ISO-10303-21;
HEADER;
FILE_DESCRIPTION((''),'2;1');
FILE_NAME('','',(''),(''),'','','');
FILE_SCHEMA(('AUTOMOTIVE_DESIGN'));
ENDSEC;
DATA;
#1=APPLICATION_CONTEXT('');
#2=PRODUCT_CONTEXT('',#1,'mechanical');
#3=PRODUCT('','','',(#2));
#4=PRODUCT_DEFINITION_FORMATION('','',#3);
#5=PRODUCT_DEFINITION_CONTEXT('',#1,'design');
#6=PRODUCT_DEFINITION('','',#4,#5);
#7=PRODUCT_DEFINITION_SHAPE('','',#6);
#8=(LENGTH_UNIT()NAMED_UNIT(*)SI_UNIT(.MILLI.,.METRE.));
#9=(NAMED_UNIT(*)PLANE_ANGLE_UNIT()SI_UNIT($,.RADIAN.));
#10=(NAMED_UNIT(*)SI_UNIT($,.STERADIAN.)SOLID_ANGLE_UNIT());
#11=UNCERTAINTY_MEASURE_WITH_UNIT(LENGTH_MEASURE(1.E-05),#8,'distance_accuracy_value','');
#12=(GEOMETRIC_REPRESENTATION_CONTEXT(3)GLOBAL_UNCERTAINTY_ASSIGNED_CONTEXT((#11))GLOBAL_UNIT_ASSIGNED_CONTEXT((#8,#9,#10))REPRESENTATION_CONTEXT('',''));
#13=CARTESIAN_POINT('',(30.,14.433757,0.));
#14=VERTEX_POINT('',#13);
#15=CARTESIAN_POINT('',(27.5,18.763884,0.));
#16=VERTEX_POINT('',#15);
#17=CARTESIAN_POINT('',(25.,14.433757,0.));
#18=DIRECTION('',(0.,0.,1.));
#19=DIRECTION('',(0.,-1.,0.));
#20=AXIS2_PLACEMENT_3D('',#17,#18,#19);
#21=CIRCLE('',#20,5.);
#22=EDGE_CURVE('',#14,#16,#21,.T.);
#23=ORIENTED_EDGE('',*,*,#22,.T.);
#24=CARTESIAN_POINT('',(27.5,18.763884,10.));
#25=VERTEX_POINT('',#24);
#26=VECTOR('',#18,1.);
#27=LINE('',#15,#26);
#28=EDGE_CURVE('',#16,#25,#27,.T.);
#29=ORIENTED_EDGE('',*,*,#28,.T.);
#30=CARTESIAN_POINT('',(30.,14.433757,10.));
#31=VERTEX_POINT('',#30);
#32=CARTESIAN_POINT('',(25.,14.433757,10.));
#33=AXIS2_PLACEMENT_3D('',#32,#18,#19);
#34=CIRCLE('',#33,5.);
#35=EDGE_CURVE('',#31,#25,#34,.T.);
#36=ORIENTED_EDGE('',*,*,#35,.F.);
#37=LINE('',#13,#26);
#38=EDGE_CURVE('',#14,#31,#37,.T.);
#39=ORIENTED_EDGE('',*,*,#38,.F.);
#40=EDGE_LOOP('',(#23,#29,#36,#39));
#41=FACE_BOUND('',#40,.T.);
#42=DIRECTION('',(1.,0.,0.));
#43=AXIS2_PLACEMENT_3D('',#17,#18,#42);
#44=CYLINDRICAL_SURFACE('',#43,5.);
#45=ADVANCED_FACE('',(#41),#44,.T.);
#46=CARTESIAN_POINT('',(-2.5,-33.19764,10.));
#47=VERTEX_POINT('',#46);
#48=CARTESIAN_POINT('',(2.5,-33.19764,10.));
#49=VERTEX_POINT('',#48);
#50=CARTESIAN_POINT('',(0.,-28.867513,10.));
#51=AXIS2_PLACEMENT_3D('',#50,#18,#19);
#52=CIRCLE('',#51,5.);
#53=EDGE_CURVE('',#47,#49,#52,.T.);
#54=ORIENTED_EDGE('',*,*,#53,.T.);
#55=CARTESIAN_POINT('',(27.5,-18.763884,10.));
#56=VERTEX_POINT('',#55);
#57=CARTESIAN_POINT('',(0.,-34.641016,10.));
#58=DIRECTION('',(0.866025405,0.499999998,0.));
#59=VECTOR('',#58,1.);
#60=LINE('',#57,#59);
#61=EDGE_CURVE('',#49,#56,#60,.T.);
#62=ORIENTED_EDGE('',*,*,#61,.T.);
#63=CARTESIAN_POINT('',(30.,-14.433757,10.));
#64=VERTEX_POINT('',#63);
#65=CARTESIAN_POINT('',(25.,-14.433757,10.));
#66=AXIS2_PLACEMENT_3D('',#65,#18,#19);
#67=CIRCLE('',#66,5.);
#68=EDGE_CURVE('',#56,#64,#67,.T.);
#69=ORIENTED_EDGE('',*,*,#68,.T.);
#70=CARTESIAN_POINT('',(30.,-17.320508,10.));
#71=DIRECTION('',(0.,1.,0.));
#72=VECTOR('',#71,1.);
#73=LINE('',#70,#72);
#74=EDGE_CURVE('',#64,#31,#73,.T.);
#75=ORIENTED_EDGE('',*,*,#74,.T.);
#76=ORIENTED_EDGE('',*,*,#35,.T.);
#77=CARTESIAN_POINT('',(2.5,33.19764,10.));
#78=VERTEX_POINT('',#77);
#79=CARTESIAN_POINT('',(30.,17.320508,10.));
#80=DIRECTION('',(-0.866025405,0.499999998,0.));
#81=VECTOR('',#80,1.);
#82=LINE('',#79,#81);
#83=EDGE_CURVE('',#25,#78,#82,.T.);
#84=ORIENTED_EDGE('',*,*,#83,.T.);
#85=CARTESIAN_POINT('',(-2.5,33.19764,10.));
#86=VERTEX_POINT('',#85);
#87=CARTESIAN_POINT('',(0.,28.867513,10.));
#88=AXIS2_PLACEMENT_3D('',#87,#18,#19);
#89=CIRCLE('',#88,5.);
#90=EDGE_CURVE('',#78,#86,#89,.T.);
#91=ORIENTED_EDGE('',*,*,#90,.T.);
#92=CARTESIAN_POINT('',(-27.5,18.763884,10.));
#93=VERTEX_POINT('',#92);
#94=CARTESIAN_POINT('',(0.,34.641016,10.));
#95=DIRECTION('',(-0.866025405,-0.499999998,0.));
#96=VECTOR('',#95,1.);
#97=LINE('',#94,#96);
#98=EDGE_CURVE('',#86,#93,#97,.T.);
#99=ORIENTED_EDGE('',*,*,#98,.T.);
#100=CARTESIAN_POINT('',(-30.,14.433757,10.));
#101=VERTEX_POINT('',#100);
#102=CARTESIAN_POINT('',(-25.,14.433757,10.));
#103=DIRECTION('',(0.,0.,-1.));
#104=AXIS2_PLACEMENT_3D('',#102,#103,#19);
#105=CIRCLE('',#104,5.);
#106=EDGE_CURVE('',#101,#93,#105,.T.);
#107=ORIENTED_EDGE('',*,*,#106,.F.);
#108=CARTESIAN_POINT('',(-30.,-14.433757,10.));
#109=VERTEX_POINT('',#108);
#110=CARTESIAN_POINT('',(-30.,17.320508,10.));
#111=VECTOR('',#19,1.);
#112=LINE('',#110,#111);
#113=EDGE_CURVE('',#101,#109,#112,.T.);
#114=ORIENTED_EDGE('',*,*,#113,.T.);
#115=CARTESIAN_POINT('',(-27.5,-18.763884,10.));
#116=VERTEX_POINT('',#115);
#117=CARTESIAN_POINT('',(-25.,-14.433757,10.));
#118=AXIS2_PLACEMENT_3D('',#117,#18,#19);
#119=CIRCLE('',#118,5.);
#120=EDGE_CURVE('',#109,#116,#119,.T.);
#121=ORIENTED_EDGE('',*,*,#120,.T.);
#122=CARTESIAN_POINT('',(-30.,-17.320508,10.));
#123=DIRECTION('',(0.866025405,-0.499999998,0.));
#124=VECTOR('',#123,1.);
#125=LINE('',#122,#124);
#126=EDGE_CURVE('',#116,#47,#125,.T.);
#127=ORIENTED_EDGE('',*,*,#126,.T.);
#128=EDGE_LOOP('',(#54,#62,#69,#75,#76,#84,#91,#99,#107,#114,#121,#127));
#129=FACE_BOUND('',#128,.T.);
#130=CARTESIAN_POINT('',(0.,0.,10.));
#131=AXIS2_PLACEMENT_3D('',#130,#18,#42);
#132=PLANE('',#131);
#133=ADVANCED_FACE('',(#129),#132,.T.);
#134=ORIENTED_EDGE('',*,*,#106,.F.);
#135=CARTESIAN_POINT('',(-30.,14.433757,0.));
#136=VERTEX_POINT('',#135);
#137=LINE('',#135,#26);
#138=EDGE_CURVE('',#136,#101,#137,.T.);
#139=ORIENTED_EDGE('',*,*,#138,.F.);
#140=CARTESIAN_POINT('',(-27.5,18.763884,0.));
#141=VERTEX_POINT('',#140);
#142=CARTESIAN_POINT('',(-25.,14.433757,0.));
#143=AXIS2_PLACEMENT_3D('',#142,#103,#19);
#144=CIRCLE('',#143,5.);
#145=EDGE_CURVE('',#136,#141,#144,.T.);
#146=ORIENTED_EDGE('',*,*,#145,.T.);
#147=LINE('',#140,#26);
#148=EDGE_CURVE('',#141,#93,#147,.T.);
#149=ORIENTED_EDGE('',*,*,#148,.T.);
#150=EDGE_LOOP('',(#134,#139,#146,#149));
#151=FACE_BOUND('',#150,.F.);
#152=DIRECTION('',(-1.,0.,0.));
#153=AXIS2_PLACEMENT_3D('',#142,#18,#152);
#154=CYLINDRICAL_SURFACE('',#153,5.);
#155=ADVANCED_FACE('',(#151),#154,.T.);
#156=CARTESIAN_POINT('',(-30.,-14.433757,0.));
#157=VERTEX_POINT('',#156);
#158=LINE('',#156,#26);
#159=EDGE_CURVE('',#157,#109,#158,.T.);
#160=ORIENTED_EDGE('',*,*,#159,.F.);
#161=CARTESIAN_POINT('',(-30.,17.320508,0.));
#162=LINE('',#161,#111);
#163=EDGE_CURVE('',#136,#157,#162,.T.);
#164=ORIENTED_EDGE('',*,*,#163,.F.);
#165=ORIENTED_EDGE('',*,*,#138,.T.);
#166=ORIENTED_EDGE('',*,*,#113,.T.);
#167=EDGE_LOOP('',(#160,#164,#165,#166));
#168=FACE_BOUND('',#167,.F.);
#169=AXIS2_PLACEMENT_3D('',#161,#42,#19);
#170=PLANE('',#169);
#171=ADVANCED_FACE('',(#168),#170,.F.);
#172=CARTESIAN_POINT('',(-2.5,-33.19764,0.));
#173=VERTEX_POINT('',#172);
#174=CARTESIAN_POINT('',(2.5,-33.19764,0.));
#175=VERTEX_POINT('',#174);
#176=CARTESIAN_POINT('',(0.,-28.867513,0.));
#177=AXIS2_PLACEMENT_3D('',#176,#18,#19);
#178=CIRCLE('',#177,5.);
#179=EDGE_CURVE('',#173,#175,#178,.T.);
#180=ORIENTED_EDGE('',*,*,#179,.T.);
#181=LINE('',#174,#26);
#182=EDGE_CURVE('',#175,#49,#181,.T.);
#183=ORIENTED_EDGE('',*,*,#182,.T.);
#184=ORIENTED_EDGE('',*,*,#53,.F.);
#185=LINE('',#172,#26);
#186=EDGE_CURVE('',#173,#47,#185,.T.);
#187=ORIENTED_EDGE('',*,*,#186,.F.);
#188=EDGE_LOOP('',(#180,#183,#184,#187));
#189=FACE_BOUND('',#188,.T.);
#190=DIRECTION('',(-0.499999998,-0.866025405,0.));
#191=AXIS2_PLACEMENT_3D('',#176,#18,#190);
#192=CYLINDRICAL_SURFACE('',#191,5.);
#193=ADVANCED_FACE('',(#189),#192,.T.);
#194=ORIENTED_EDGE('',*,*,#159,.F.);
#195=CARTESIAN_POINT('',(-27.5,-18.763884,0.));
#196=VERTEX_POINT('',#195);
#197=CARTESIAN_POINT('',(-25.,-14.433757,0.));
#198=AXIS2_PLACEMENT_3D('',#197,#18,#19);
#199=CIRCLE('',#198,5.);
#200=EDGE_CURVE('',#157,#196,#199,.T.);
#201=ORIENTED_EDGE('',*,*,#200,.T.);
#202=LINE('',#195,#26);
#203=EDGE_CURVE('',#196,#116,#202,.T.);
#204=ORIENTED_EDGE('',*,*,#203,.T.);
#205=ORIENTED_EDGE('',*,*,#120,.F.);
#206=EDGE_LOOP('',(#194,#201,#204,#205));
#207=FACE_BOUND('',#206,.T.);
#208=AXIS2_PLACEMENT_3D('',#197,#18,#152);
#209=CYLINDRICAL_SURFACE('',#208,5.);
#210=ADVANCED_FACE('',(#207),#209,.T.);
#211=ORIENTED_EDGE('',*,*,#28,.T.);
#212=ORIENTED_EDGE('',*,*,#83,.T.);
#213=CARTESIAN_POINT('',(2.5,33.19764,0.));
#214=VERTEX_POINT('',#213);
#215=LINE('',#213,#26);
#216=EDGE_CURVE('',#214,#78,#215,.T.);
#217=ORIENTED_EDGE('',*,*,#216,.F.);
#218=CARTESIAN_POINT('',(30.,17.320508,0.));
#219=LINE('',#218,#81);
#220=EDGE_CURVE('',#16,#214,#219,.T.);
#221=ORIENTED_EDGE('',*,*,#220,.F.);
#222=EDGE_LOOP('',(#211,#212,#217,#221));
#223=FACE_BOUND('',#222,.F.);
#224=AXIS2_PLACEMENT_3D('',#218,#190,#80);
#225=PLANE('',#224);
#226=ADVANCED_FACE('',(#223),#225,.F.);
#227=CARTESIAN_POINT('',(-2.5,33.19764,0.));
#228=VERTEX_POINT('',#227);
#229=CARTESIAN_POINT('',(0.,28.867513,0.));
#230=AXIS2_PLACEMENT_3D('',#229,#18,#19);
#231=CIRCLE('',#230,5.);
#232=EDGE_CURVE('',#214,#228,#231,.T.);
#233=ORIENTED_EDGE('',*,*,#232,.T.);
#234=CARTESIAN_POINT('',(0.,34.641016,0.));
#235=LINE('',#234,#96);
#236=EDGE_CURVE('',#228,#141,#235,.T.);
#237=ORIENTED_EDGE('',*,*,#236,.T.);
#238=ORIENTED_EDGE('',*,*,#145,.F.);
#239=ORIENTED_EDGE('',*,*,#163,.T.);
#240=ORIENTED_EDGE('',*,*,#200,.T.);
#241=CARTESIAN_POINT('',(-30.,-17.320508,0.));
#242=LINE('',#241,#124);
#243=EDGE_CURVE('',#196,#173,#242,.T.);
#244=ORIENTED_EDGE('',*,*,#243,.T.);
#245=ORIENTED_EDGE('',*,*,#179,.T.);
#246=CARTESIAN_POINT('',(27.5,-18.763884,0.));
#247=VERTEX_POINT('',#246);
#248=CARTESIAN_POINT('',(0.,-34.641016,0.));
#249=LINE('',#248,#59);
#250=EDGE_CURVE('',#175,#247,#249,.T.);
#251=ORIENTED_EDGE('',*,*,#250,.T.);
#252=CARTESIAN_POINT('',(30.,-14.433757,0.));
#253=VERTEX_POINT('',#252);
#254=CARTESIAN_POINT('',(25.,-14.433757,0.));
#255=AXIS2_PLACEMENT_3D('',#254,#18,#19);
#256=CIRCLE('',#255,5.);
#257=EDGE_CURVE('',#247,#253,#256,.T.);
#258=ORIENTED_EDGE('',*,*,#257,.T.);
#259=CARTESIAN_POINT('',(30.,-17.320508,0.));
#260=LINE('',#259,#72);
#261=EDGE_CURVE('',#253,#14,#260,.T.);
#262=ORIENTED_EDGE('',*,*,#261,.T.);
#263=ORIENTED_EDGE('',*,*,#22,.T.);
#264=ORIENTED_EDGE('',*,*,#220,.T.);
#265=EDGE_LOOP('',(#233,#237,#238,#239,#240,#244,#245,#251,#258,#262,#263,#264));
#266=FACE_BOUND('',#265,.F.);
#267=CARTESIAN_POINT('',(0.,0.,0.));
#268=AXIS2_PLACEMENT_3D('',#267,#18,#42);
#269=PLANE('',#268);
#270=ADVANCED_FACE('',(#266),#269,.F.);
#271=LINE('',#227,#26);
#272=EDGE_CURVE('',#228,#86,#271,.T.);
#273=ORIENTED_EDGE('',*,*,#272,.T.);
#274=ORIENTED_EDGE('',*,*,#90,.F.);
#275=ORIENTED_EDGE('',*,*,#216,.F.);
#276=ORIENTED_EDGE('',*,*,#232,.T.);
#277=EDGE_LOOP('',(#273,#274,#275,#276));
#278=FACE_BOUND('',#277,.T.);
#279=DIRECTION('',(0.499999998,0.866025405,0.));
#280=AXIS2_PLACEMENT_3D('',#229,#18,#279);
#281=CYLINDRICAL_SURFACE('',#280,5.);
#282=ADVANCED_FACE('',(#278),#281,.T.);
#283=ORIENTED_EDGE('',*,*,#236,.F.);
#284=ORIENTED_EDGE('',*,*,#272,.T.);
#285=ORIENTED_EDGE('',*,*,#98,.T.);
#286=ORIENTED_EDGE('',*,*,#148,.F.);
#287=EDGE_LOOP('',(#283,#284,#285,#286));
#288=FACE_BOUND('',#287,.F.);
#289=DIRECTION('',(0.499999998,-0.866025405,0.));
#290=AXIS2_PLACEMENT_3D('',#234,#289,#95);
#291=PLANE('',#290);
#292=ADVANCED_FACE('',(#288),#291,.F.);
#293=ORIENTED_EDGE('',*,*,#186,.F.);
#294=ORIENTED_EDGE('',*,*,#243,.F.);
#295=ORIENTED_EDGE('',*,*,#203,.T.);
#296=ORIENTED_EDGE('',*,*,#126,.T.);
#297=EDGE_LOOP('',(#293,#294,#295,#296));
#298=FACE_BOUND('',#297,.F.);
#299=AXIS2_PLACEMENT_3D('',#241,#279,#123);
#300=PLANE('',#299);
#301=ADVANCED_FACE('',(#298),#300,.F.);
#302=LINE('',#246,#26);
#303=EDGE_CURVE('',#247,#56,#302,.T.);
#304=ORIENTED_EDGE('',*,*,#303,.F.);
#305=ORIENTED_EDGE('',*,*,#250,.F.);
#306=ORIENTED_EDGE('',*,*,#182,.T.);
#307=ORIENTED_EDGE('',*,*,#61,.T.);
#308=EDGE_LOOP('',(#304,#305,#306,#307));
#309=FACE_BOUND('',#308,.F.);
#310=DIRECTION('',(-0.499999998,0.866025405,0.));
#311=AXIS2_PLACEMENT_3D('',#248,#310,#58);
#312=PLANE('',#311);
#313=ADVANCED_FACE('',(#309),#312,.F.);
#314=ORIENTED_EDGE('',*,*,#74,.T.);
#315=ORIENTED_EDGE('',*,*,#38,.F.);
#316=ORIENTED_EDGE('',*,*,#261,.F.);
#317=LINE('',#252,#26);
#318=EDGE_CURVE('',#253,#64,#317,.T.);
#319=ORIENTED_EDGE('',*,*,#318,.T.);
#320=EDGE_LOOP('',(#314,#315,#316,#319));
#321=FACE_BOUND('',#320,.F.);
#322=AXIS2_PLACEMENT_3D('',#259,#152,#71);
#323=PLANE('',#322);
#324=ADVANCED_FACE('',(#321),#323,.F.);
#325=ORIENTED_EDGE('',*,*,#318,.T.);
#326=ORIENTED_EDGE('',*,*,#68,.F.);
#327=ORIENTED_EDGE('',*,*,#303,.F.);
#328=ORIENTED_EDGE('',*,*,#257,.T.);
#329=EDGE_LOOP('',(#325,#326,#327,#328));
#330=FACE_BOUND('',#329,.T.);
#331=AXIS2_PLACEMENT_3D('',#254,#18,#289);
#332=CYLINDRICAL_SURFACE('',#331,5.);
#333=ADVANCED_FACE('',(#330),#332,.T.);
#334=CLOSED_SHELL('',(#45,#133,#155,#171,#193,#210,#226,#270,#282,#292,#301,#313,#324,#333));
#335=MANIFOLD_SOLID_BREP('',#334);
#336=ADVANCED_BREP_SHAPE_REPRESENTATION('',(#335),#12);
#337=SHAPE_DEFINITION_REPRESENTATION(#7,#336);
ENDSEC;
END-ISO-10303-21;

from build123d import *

# Parameters (mm, degrees)
PAD_DEPTH = 10
FILLET_R  = 5


with BuildPart() as part:
    # Sketch → Pad (new body)
    with BuildSketch(Plane.XY):
        Polygon((-30, 17.320508), (-30, -17.320508), (0, -34.641016), (30, -17.320508), (30, 17.320508), (0, 34.641016), align=None)
    extrude(amount=PAD_DEPTH)

    # Fillet
    fillet_edges = [part.edges().sort_by_distance(p)[0] for p in [
        (-30, 17.320508, 5),
        (-30, -17.320508, 5),
        (0, -34.641016, 5),
        (30, -17.320508, 5),
        (30, 17.320508, 5),
        (0, 34.641016, 5),
    ]]
    fillet(fillet_edges, radius=FILLET_R)


solid = part.part
